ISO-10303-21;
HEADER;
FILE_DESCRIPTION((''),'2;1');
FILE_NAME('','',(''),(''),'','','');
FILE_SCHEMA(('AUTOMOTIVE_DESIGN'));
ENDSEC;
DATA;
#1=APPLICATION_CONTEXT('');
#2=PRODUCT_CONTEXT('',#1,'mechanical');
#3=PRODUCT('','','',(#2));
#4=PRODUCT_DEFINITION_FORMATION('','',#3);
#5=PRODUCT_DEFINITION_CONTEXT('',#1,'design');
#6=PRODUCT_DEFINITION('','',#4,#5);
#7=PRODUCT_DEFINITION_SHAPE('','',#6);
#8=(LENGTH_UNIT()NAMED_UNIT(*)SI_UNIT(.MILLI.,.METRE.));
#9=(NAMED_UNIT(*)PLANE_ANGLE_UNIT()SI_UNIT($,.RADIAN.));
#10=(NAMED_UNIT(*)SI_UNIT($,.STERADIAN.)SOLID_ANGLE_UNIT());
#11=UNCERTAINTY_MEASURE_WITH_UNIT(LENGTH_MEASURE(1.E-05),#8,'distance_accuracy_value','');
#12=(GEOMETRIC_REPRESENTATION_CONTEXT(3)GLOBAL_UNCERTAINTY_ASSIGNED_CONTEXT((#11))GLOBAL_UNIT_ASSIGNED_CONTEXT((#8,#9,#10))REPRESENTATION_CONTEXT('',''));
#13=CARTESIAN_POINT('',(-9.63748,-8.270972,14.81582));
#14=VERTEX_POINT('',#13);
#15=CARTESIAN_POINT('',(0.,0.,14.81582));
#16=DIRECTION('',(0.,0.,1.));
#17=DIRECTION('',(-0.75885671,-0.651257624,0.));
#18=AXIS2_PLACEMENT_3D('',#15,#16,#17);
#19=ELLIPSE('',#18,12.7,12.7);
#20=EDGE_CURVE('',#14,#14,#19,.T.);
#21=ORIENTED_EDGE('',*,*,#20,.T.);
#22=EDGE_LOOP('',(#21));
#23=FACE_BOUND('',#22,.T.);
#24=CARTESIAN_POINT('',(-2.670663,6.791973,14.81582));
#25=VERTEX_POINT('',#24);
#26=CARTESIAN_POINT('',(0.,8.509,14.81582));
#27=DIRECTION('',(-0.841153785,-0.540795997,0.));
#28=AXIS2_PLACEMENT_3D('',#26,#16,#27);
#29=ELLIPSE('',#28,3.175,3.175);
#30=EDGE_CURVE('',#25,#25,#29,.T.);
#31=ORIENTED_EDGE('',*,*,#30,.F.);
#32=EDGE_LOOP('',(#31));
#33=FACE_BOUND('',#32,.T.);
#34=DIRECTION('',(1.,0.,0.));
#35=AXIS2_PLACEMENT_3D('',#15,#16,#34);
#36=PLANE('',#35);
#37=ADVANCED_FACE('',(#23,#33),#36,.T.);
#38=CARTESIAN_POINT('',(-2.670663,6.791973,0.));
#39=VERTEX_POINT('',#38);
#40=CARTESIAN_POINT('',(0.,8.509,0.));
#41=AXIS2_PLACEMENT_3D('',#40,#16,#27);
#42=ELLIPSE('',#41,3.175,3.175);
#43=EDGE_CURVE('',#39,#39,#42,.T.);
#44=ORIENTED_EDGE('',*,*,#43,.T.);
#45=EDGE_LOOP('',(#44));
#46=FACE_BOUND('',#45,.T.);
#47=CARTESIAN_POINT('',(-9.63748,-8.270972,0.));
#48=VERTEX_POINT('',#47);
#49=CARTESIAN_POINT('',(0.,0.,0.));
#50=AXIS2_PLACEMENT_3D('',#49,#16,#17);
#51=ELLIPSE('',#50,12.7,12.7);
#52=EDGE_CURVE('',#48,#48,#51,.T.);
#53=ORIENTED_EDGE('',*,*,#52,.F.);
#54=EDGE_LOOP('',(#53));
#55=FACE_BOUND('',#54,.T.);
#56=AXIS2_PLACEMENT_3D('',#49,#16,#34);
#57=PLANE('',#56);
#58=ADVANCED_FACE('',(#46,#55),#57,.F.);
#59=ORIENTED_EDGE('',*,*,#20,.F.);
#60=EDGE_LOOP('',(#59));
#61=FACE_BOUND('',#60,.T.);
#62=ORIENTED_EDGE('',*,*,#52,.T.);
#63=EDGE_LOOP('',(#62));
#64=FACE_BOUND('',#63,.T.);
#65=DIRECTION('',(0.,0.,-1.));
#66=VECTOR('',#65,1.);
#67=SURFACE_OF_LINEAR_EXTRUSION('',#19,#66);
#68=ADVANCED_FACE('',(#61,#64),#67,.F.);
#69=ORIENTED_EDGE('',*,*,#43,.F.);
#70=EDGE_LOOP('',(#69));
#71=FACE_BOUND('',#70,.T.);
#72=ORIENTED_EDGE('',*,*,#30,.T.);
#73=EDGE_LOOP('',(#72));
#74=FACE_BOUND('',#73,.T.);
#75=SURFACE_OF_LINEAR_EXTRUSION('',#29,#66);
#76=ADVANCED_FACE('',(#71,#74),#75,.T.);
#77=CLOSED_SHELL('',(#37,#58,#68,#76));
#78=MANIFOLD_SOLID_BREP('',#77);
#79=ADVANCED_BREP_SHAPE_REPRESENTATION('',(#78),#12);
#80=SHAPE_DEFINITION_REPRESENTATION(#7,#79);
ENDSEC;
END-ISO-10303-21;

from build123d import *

# Parameters (mm, degrees)
ESQUISSE2_RX       = 12.7
ESQUISSE2_RY       = 12.7
ESQUISSE2_RX_2     = 3.175
ESQUISSE2_RY_2     = 3.175
BOSS_EXTRU_2_DEPTH = 14.81582


with BuildPart() as part:
    # Esquisse2 → Boss.-Extru.2 (new body)
    with BuildSketch(Plane.XY):
        with Locations(Location((0, 0), (0, 0, -139.363511392))):
            Ellipse(ESQUISSE2_RX, ESQUISSE2_RY)
        with Locations(Location((0, 8.509), (0, 0, 32.73784229))):
            Ellipse(ESQUISSE2_RX_2, ESQUISSE2_RY_2, mode=Mode.SUBTRACT)
    extrude(amount=BOSS_EXTRU_2_DEPTH)


solid = part.part
